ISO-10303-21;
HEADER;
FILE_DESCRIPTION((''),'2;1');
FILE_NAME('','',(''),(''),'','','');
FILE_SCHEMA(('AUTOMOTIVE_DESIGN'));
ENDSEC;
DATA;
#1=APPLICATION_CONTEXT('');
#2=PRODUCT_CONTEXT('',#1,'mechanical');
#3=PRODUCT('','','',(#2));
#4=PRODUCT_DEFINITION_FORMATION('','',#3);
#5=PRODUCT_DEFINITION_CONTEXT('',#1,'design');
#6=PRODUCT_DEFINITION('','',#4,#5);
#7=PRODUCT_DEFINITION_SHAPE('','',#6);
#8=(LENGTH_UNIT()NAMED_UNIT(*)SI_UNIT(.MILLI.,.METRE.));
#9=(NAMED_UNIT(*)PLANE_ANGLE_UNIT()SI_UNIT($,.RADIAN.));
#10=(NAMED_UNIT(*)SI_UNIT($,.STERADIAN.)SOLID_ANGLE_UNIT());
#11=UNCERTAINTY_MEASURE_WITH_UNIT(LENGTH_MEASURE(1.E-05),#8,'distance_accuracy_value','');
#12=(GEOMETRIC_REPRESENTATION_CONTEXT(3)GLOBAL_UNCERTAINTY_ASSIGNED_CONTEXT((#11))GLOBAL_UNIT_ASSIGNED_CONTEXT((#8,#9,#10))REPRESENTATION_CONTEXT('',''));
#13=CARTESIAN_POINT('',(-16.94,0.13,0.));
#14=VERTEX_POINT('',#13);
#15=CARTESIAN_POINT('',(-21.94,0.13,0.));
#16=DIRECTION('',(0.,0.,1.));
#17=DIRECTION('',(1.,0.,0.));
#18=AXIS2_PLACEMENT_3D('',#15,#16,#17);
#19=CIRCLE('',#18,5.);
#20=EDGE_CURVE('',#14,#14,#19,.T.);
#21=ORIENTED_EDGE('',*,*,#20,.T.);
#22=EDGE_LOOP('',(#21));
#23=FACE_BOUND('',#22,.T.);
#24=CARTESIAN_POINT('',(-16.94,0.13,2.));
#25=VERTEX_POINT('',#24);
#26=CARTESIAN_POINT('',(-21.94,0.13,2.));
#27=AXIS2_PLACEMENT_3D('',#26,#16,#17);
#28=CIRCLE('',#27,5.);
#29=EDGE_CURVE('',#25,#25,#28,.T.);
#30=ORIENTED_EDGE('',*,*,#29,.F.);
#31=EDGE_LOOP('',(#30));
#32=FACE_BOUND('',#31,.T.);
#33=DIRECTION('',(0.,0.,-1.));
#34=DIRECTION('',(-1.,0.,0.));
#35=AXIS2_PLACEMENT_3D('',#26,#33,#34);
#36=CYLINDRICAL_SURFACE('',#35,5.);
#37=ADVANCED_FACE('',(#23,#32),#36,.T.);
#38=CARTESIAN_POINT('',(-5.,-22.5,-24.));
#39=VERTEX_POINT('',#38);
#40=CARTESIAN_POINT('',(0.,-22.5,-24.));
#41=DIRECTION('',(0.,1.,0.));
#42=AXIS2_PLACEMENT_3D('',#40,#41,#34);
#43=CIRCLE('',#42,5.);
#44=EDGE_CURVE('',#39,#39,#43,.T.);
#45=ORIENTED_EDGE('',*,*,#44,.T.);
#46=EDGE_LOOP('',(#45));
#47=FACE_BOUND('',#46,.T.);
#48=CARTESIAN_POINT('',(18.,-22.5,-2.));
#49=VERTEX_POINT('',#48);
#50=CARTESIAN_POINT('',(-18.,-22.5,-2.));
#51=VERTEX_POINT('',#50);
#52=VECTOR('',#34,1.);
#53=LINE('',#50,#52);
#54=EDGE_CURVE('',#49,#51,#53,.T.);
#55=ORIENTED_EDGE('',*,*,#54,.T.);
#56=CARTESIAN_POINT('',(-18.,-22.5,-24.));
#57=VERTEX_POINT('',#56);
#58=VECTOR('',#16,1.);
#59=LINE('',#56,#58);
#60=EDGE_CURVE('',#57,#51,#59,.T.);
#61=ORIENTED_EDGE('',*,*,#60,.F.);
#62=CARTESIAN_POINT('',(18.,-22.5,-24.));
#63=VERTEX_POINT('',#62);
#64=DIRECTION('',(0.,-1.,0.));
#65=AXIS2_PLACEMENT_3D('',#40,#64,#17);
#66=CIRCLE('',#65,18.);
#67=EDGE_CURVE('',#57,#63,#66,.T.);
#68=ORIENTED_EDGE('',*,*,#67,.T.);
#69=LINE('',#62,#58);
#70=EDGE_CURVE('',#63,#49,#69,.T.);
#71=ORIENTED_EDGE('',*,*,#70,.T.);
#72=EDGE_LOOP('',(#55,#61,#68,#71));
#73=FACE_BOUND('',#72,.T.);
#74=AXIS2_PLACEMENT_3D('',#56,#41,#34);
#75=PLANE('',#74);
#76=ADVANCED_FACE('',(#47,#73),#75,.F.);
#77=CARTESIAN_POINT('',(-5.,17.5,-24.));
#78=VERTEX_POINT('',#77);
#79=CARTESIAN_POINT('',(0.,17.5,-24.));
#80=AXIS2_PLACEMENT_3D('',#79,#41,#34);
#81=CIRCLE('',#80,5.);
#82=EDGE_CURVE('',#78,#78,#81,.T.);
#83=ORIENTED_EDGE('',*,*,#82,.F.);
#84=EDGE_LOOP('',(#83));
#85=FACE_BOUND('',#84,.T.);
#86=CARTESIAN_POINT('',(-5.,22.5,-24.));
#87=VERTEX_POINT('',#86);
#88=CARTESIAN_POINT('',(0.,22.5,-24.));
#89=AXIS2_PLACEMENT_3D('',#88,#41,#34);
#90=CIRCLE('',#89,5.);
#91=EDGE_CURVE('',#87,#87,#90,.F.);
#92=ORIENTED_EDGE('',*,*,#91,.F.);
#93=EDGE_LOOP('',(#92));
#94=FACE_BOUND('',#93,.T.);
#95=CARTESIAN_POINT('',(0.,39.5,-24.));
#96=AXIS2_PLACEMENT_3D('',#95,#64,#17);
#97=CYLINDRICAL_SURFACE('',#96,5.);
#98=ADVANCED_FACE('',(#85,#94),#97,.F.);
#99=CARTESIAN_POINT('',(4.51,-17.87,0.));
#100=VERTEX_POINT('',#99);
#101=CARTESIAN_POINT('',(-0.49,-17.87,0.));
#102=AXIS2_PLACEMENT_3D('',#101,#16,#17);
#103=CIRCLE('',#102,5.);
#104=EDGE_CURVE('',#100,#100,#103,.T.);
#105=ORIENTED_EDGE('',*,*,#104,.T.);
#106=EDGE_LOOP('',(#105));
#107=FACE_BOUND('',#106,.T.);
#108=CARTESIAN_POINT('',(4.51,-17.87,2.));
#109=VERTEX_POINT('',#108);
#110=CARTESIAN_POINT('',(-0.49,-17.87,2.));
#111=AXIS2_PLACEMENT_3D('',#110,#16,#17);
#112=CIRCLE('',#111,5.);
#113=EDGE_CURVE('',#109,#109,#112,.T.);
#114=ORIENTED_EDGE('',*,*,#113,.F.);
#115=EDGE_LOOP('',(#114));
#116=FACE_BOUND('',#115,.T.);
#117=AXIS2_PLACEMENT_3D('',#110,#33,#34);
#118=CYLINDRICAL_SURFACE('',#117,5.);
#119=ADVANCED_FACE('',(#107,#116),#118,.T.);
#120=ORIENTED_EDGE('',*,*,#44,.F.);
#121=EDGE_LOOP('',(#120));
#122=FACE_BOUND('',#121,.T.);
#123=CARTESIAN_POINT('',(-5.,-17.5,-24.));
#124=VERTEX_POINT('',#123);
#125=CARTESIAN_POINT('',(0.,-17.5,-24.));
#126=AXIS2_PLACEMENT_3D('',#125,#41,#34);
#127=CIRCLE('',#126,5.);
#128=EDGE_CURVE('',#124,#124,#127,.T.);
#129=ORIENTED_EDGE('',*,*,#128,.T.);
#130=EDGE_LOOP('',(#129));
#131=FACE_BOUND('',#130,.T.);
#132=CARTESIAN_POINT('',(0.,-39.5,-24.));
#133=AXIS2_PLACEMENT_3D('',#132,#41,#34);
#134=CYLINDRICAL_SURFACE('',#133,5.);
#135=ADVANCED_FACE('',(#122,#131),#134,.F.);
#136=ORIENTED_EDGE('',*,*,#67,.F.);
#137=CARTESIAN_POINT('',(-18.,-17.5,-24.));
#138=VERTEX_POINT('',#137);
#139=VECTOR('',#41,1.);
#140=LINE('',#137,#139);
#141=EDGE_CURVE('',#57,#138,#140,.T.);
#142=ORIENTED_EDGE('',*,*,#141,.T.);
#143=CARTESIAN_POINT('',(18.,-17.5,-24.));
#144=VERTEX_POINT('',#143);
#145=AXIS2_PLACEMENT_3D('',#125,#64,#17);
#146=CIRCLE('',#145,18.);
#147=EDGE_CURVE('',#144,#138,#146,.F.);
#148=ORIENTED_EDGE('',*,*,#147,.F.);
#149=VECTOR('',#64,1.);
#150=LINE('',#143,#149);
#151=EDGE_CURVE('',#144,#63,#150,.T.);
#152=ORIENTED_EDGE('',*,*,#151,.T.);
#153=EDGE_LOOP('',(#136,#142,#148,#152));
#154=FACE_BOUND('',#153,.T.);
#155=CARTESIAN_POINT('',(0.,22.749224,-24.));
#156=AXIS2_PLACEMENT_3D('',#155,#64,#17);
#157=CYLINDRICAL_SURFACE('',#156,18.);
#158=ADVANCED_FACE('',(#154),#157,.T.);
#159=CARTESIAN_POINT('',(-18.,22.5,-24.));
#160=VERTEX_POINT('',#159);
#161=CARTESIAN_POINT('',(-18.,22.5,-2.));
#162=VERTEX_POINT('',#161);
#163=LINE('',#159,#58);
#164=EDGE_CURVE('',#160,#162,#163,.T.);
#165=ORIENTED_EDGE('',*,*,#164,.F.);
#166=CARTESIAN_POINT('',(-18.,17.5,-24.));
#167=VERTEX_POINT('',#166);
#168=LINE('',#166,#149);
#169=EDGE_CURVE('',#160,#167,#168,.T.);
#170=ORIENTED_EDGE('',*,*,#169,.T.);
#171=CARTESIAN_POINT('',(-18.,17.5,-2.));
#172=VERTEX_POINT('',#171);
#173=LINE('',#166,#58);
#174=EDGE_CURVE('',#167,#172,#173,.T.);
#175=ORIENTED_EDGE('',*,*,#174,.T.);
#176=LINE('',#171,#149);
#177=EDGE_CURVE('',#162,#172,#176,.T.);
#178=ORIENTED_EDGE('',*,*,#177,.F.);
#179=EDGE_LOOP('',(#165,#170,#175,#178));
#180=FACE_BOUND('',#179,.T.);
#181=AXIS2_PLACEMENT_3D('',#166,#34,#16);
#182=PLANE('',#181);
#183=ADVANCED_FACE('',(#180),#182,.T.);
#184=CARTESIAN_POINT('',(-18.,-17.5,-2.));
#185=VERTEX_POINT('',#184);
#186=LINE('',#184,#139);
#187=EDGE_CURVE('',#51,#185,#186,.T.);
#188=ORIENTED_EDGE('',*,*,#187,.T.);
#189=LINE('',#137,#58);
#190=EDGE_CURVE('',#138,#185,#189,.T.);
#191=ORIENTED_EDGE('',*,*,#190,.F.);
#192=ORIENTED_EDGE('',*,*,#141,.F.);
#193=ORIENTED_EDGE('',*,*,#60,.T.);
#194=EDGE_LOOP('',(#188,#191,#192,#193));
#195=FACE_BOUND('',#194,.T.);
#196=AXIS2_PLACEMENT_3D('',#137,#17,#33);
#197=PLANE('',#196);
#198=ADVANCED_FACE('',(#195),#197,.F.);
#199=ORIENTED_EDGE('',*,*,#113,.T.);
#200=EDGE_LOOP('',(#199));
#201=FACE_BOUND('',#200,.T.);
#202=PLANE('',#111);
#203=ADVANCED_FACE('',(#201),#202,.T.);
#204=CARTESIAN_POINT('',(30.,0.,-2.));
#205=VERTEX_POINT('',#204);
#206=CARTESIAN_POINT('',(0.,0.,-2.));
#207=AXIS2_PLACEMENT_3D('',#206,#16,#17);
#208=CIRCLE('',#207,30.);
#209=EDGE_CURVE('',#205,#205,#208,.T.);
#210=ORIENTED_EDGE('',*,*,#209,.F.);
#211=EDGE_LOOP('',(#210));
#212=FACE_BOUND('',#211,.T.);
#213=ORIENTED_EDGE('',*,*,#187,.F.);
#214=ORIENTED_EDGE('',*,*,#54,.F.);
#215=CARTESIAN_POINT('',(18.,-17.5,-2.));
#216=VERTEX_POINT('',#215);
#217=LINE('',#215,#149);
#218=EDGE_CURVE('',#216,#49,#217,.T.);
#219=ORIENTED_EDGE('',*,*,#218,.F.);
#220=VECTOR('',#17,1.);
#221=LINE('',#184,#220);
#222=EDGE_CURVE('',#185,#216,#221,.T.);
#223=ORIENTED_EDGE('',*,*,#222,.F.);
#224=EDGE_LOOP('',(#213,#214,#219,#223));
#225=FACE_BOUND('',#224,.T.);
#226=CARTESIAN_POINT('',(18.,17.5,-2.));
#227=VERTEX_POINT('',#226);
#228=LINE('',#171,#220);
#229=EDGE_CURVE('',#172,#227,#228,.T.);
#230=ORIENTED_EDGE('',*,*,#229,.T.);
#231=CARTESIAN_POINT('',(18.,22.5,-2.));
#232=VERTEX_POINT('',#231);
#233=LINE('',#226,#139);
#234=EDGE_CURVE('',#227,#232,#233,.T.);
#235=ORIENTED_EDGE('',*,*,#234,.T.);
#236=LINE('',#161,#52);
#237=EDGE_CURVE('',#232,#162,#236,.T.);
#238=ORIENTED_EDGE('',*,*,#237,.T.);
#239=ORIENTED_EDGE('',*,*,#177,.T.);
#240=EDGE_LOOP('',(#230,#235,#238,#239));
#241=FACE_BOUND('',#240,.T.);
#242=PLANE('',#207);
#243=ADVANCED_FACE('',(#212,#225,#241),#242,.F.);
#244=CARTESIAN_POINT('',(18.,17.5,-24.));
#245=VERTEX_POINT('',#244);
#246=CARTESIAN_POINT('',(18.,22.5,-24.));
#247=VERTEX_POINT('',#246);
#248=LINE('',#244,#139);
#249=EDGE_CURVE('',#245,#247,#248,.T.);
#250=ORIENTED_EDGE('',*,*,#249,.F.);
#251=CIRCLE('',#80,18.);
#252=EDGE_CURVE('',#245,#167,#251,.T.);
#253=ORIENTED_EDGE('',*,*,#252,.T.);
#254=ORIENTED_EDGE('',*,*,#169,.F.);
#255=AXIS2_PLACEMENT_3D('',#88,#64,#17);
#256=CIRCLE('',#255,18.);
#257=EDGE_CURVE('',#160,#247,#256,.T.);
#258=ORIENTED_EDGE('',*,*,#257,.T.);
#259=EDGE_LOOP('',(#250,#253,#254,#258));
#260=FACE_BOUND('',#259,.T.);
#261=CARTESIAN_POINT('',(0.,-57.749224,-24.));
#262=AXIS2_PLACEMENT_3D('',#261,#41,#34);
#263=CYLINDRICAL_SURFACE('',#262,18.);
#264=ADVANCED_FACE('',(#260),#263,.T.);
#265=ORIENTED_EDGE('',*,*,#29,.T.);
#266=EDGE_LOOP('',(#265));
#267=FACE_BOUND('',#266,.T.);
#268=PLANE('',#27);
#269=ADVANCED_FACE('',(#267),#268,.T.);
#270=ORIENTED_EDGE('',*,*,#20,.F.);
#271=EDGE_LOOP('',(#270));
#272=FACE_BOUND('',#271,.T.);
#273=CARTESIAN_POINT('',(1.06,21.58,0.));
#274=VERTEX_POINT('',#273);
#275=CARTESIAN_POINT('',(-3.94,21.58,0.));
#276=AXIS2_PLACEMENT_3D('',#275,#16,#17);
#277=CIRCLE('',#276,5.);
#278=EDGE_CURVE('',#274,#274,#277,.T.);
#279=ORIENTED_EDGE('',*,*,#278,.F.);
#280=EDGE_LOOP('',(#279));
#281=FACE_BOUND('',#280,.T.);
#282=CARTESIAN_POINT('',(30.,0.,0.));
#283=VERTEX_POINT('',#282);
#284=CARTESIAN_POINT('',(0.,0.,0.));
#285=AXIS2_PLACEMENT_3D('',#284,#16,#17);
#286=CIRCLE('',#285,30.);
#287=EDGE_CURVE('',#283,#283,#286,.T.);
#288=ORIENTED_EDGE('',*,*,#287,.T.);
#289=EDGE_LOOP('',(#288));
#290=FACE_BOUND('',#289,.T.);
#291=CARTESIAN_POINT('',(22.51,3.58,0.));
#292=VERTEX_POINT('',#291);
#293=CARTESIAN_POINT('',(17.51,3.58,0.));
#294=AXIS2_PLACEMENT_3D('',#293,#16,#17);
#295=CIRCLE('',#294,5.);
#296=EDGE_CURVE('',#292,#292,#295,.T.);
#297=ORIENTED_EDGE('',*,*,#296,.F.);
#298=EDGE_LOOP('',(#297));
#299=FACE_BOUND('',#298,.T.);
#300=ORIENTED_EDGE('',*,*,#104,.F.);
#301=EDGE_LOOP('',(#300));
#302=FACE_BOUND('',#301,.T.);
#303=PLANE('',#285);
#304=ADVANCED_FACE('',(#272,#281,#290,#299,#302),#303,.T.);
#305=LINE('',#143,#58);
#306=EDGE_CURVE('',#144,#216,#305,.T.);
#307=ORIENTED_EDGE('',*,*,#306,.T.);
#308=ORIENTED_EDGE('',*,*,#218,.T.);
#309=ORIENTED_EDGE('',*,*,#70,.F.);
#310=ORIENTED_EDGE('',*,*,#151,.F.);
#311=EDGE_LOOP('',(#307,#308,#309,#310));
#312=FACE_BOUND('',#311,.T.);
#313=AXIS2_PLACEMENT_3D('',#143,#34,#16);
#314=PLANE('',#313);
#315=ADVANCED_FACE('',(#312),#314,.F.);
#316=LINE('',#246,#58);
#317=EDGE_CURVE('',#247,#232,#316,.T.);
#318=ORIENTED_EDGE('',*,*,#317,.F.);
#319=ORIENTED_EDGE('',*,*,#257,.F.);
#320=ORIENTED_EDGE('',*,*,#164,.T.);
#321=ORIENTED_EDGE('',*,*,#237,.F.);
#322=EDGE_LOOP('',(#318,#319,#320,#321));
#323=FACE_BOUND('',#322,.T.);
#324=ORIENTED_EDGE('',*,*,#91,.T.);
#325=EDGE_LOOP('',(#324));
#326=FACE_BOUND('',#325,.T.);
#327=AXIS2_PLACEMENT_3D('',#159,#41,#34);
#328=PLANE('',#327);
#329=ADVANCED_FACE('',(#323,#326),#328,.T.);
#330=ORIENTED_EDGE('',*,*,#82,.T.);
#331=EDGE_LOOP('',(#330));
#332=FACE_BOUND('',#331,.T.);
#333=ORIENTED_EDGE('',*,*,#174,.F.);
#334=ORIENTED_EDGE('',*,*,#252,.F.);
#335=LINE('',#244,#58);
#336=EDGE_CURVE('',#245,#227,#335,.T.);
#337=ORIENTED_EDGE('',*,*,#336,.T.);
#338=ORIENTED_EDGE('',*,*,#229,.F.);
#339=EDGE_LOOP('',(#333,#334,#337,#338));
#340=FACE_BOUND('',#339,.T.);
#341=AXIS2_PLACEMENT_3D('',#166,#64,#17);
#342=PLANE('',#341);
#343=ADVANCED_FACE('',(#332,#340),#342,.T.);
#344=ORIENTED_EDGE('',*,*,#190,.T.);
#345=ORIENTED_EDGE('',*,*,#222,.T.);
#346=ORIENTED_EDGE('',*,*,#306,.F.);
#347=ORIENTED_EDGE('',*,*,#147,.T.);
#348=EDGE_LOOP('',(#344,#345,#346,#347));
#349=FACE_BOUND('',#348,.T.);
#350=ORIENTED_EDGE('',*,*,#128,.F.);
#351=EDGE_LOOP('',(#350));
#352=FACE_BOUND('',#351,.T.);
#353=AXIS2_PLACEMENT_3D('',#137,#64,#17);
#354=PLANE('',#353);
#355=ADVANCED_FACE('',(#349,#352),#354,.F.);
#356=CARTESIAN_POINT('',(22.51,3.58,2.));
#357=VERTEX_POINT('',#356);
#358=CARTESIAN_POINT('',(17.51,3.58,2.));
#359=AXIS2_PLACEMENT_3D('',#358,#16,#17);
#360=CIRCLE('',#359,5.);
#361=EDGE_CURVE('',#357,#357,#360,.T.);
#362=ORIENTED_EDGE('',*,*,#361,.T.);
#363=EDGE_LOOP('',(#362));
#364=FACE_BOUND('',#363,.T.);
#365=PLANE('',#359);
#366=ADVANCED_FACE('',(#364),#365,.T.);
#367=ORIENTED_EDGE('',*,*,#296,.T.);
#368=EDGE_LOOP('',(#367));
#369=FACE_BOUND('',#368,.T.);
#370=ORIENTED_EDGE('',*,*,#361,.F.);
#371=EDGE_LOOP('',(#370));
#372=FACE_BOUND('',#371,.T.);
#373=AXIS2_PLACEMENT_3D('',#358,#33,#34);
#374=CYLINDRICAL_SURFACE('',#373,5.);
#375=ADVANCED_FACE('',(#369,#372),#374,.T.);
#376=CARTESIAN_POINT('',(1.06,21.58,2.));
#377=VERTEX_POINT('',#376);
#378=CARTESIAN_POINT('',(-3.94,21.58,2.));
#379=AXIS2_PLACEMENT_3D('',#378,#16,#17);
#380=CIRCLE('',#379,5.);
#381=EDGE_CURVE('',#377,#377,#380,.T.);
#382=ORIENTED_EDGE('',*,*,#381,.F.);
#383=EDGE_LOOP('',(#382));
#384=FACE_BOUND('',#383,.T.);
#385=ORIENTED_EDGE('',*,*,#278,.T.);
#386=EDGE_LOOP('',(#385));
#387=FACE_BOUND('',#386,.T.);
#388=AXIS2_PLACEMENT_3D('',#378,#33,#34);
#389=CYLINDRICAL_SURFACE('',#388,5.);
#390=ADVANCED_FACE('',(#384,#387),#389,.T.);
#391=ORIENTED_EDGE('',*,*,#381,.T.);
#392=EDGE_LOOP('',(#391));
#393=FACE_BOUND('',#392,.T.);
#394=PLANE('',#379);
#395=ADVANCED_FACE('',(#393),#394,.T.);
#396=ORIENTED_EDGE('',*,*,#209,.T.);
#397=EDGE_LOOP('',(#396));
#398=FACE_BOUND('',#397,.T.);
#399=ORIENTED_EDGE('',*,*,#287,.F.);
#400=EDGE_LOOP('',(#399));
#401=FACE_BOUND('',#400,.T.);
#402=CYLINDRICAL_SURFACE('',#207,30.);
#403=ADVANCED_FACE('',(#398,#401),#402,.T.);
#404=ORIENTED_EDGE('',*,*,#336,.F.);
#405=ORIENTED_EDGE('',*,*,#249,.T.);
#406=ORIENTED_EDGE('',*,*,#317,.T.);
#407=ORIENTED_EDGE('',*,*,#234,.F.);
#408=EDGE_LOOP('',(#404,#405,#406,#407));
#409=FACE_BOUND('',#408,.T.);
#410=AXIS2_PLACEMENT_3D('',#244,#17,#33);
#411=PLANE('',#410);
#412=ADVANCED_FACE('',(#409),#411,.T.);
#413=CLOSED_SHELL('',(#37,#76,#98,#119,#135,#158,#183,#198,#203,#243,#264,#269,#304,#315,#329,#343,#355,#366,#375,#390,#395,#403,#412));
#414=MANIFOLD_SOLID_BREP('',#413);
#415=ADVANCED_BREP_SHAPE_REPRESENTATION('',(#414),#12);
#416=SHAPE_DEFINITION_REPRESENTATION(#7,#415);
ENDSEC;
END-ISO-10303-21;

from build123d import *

# Parameters (mm, degrees)
SKETCH1_R           = 30
BOSS_EXTRUDE1_DEPTH = 2
SKETCH3_W           = 36
SKETCH3_H           = 5
BOSS_EXTRUDE3_DEPTH = 22
BOSS_EXTRUDE4_DEPTH = 5
SKETCH6_R           = 5
CUT_EXTRUDE1_DEPTH  = 22
SKETCH7_R           = 5
BOSS_EXTRUDE5_DEPTH = 2


with BuildPart() as part:
    # Sketch1 → Boss-Extrude1 (new body)
    with BuildSketch(Plane.XY):
        Circle(SKETCH1_R)
    extrude(amount=-BOSS_EXTRUDE1_DEPTH)

    # Sketch3 → Boss-Extrude3 (add)
    with BuildSketch(Plane(origin=(0, 0, -2), x_dir=(-1, 0, 0), z_dir=(0, 0, -1))):
        with Locations((0, -20)):
            Rectangle(SKETCH3_W, SKETCH3_H)
    boss_extrude3 = extrude(amount=BOSS_EXTRUDE3_DEPTH)

    # Sketch5 → Boss-Extrude4 (add)
    with BuildSketch(Plane.XZ.offset(22.5)):
        with BuildLine():
            Line((-18, -24), (18, -24))
            ThreePointArc((18, -24), (0, -42), (-18, -24))
        make_face()
    boss_extrude4 = extrude(amount=-BOSS_EXTRUDE4_DEPTH)

    # Sketch6 → Cut-Extrude1 (cut)
    with BuildSketch(Plane(origin=(0, -17.5, 0), x_dir=(1, 0, 0), z_dir=(0, 1, 0))):
        with Locations(Location((0, 24, 0), (0, 0, 180))):
            Circle(SKETCH6_R)
    cut_extrude1 = extrude(amount=-CUT_EXTRUDE1_DEPTH, mode=Mode.SUBTRACT)

    # Mirror2: Boss-Extrude3, Boss-Extrude4, Cut-Extrude1 across plane
    add(boss_extrude3.mirror(Plane.ZX))
    add(boss_extrude4.mirror(Plane.ZX))
    add(cut_extrude1.mirror(Plane.ZX), mode=Mode.SUBTRACT)

    # Sketch7 → Boss-Extrude5 (add)
    with BuildSketch(Plane.XY):
        with Locations((-3.94, 21.58)):
            Circle(SKETCH7_R)
        with Locations((-21.94, 0.13)):
            Circle(SKETCH7_R)
        with Locations((-0.49, -17.87)):
            Circle(SKETCH7_R)
        with Locations((17.51, 3.58)):
            Circle(SKETCH7_R)
    extrude(amount=BOSS_EXTRUDE5_DEPTH)


solid = part.part
